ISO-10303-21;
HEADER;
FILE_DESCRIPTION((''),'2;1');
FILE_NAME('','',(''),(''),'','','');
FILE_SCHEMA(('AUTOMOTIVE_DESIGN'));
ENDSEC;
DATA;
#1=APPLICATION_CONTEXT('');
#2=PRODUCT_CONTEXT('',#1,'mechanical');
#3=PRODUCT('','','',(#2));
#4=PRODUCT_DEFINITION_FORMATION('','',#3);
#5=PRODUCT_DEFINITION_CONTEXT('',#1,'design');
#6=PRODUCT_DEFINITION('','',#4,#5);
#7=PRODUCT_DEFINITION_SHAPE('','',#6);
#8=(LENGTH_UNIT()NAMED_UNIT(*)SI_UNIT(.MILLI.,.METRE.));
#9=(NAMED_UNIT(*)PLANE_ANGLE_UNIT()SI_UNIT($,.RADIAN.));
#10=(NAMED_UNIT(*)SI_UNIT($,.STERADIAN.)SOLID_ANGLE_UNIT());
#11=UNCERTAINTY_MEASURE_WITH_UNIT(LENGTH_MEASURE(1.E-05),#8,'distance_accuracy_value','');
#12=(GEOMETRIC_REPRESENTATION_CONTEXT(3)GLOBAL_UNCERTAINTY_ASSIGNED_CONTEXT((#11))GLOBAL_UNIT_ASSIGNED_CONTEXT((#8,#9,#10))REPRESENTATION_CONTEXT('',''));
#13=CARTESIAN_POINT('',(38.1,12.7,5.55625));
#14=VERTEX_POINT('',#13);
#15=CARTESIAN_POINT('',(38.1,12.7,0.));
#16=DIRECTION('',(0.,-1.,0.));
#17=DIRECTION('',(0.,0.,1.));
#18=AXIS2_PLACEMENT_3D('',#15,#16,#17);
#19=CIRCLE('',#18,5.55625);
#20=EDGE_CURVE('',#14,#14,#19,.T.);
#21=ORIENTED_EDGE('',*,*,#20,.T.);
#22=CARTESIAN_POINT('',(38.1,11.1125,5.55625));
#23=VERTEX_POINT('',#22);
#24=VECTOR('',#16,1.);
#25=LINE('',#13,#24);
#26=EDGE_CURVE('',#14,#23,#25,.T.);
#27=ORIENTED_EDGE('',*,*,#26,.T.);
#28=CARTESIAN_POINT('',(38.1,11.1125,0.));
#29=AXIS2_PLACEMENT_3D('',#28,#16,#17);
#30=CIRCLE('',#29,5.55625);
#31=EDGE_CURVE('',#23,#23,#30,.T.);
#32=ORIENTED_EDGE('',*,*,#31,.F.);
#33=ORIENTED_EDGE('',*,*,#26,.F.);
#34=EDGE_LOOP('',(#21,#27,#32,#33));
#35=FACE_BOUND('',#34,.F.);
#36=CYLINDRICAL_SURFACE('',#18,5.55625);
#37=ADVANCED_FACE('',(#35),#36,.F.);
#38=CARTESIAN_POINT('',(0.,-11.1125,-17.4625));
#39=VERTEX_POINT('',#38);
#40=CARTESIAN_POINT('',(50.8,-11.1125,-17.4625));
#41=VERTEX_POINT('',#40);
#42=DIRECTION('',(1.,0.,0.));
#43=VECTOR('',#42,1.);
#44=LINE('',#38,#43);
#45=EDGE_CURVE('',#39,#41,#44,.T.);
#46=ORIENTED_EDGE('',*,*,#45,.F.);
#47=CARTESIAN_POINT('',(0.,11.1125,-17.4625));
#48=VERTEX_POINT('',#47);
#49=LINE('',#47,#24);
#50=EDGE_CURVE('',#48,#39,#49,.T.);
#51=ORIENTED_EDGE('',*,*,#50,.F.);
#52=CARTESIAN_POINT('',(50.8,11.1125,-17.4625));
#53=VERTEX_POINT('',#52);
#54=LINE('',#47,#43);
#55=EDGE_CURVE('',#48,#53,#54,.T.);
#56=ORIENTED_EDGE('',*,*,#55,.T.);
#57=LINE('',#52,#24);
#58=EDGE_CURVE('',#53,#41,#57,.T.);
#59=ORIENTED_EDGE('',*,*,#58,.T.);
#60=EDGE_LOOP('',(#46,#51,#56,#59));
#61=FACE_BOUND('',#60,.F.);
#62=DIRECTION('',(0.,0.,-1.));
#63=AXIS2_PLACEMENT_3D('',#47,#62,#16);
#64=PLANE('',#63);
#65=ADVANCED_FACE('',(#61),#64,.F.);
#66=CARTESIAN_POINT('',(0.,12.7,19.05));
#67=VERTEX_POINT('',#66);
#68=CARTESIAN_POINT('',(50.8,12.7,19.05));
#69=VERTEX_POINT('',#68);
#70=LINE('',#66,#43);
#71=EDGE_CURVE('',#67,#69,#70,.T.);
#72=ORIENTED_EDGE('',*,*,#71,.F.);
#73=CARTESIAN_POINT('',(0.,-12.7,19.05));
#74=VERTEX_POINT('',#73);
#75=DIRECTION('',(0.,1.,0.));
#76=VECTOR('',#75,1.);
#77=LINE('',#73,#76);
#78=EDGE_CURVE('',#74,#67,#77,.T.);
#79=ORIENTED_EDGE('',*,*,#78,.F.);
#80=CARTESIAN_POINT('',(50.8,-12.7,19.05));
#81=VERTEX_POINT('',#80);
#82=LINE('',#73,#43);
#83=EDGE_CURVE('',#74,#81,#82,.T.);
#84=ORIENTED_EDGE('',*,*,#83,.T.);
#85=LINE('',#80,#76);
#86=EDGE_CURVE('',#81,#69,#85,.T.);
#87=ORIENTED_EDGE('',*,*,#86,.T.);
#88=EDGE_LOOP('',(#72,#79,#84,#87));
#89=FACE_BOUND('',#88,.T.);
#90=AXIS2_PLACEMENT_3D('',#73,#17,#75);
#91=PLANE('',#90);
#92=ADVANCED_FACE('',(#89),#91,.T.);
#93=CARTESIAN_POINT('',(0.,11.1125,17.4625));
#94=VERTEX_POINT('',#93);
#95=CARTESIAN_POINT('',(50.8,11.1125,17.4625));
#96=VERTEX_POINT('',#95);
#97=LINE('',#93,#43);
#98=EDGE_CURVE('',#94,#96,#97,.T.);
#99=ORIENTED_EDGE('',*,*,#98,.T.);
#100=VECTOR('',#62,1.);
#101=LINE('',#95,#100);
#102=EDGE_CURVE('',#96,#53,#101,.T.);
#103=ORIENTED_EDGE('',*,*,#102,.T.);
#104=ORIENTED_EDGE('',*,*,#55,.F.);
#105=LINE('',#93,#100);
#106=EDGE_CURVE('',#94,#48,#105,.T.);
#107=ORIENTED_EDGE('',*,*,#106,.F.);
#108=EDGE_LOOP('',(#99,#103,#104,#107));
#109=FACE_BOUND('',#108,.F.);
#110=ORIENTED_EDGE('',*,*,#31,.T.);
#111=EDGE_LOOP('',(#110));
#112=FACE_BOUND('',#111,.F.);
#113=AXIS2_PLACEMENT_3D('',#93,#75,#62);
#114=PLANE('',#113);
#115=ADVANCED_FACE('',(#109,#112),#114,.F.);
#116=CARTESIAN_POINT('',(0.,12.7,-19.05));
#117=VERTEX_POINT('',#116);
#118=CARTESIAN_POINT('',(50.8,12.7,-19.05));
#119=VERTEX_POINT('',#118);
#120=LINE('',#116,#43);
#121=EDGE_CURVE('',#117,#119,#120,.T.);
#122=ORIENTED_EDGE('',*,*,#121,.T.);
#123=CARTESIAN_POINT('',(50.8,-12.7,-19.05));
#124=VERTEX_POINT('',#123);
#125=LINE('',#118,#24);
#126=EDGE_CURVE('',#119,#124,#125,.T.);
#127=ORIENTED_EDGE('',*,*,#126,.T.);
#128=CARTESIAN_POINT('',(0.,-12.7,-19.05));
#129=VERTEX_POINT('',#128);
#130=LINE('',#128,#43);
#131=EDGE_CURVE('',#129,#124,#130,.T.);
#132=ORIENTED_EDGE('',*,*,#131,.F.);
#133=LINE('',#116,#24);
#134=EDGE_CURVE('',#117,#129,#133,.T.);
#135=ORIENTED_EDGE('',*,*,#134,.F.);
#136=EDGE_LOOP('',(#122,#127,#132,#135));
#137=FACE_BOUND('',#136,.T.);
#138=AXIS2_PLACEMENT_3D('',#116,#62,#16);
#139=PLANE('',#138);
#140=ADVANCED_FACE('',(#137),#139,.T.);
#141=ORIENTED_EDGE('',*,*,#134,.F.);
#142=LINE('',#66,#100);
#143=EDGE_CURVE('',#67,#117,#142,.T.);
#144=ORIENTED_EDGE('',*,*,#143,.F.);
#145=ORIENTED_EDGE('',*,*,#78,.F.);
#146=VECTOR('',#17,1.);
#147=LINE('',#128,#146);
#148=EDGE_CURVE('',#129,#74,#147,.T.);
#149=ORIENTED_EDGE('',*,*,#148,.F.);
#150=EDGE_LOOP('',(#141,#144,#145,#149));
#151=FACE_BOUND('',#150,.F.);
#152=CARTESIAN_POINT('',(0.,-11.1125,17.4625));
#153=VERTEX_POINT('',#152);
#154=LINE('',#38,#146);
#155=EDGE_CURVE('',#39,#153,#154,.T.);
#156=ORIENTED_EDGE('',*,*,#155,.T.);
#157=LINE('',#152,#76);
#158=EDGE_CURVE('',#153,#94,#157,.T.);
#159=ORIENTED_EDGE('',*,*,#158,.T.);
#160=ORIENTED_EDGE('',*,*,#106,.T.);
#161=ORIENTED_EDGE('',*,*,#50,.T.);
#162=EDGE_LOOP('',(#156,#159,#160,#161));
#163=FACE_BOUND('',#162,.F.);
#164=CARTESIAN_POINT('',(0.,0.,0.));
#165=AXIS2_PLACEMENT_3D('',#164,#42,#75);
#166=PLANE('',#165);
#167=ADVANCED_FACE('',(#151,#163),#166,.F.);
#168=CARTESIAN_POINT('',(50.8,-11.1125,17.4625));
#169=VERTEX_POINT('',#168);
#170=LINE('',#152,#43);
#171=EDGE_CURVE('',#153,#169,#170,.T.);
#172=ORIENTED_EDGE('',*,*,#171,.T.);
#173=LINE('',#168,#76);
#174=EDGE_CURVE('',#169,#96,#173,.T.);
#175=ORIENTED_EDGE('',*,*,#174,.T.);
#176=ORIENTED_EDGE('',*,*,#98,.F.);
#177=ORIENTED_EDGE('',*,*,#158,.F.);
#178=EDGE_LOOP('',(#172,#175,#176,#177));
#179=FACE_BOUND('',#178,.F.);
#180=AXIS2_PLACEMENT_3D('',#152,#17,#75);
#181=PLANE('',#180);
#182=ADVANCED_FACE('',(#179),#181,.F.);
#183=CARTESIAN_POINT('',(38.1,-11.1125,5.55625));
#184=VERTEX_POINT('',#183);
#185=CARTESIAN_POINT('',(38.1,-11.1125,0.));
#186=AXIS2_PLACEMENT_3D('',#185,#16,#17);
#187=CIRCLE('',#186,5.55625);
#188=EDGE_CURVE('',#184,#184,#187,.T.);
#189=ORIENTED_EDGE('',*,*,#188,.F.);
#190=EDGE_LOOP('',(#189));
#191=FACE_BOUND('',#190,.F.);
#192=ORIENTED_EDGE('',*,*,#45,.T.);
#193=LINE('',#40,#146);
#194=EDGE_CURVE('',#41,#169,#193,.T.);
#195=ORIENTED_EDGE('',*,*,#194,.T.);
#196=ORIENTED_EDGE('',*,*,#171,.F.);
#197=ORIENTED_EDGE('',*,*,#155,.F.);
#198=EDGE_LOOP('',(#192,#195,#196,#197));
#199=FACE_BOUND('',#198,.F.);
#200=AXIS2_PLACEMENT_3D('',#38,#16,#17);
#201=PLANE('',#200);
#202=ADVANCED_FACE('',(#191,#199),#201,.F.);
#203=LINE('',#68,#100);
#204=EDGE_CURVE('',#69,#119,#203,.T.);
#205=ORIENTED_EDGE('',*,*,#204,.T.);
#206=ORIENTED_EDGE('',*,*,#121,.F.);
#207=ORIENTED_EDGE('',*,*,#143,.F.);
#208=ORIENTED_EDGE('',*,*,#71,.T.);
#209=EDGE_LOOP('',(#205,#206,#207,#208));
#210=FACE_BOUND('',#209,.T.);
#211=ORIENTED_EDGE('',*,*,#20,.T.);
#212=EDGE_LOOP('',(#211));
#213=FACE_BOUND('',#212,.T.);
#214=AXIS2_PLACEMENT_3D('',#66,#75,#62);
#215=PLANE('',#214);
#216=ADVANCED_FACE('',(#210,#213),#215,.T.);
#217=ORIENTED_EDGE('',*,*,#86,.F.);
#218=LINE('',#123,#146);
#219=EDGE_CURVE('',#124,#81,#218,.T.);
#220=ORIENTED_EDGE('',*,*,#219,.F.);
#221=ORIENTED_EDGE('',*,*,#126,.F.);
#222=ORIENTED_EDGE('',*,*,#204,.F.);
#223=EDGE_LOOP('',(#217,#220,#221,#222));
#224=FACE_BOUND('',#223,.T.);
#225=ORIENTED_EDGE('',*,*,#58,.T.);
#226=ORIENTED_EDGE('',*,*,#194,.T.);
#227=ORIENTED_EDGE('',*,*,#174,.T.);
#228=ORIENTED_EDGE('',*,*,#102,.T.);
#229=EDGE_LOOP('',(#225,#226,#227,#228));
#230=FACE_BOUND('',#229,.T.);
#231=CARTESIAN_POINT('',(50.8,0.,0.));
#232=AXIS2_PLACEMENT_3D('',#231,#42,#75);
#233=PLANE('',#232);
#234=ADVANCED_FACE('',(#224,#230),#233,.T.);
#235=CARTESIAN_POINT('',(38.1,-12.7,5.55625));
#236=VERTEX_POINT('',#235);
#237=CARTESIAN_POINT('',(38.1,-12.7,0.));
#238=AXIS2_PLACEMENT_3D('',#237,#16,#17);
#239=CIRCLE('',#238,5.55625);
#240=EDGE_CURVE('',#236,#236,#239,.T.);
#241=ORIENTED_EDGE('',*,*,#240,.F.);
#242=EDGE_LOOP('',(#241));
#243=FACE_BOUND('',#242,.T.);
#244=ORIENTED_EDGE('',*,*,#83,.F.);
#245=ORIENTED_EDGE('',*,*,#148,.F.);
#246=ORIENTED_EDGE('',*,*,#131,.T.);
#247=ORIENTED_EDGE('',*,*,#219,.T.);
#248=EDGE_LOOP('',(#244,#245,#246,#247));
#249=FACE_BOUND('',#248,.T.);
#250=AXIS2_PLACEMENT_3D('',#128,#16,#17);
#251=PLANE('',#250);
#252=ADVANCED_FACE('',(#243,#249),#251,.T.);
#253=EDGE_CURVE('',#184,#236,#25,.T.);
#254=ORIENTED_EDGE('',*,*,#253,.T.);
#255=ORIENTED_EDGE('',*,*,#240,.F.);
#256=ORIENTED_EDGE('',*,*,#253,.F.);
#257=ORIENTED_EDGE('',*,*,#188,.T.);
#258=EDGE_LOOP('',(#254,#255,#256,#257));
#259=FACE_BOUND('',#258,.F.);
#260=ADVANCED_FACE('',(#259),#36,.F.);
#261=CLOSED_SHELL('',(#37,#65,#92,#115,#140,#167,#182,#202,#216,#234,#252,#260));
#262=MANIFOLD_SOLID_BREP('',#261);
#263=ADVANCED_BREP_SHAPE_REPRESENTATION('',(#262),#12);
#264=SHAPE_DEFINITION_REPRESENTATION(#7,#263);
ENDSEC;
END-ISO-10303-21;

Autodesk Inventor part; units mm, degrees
ref_plane "Work Plane3" through (0, 12.7, 0) normal (0, 1, 0) x (-1, 0, 0)
ref_plane "Start Plane" through (0, 0, 0) normal (1, 0, 0) x (0, 1, 0)
ref_plane "End Plane" through (50.8, 0, 0) normal (1, 0, 0) x (0, 1, 0)
sketch "Sketch" plane through (0, 0, 0) normal (1, 0, 0) x (0, 1, 0)
  line L0 (-12.7, 19.05) -> (12.7, 19.05)
  line L1 (12.7, 19.05) -> (12.7, -19.05)
  line L2 (12.7, -19.05) -> (-12.7, -19.05)
  line L3 (-12.7, -19.05) -> (-12.7, 19.05)
  line L4 (-12.7, 19.05) -> (12.7, -19.05) construction
  line L5 (12.7, 19.05) -> (-12.7, -19.05) construction
  line L6 (-11.1125, 17.4625) -> (11.1125, 17.4625)
  line L7 (11.1125, 17.4625) -> (11.1125, -17.4625)
  line L8 (11.1125, -17.4625) -> (-11.1125, -17.4625)
  line L9 (-11.1125, -17.4625) -> (-11.1125, 17.4625)
  line L10 (-11.1125, 17.4625) -> (11.1125, -17.4625) construction
  line L11 (11.1125, 17.4625) -> (-11.1125, -17.4625) construction
  point P0 (0, 0)
  dimension "d0" = 38.1
  dimension "d1" = 25.4
  dimension "d2" = 1.5875
  dimension "d3" = 1.5875
extrude "Body" add sketch "Sketch" along normal up to surface (50.8 mm away) from surface at 0
sketch "Sketch8" plane through (0, 0, 0) normal (1, 0, 0) x (0, 1, 0)
  line L0 (0, 0) -> (10, 0)
ref_plane "Work Plane6" through (0, 0, 0) normal (0, 0, -1) x (0, 1, 0)
sketch "Sketch9" plane through (0, 0, 0) normal (0, 0, -1) x (0, 1, 0)
  line L0 (-2, 0) -> (12, 0)
  line L1 (-2, 50.8) -> (12, 50.8)
  dimension "d21" = 50.8
sketch "Sketch5" plane through (0, 12.7, -19.05) normal (0, 1, 0) x (1, 0, 0)
  line L0 (0, -38.1) -> (0, 0) projected
  point P0 (0, -19.05)
  point P1 (38.1, -19.05)
  dimension "d22" = 38.1
hole "Hole2" at (38.1, 12.7, 0) direction (0, -1, 0) diameter 11.1125 end through all
equation "\"d3\" = d2"
equation "\"G_OFFSET_START\" = 0"
equation "\"G_OFFSET_END\" = 0"
equation "\"d17\" = d4 + G_OFFSET_END"
equation "\"G_L\" = d21"
equation "\"d4\" = 50.8"
properties part number "Square_1x1.5x2"
